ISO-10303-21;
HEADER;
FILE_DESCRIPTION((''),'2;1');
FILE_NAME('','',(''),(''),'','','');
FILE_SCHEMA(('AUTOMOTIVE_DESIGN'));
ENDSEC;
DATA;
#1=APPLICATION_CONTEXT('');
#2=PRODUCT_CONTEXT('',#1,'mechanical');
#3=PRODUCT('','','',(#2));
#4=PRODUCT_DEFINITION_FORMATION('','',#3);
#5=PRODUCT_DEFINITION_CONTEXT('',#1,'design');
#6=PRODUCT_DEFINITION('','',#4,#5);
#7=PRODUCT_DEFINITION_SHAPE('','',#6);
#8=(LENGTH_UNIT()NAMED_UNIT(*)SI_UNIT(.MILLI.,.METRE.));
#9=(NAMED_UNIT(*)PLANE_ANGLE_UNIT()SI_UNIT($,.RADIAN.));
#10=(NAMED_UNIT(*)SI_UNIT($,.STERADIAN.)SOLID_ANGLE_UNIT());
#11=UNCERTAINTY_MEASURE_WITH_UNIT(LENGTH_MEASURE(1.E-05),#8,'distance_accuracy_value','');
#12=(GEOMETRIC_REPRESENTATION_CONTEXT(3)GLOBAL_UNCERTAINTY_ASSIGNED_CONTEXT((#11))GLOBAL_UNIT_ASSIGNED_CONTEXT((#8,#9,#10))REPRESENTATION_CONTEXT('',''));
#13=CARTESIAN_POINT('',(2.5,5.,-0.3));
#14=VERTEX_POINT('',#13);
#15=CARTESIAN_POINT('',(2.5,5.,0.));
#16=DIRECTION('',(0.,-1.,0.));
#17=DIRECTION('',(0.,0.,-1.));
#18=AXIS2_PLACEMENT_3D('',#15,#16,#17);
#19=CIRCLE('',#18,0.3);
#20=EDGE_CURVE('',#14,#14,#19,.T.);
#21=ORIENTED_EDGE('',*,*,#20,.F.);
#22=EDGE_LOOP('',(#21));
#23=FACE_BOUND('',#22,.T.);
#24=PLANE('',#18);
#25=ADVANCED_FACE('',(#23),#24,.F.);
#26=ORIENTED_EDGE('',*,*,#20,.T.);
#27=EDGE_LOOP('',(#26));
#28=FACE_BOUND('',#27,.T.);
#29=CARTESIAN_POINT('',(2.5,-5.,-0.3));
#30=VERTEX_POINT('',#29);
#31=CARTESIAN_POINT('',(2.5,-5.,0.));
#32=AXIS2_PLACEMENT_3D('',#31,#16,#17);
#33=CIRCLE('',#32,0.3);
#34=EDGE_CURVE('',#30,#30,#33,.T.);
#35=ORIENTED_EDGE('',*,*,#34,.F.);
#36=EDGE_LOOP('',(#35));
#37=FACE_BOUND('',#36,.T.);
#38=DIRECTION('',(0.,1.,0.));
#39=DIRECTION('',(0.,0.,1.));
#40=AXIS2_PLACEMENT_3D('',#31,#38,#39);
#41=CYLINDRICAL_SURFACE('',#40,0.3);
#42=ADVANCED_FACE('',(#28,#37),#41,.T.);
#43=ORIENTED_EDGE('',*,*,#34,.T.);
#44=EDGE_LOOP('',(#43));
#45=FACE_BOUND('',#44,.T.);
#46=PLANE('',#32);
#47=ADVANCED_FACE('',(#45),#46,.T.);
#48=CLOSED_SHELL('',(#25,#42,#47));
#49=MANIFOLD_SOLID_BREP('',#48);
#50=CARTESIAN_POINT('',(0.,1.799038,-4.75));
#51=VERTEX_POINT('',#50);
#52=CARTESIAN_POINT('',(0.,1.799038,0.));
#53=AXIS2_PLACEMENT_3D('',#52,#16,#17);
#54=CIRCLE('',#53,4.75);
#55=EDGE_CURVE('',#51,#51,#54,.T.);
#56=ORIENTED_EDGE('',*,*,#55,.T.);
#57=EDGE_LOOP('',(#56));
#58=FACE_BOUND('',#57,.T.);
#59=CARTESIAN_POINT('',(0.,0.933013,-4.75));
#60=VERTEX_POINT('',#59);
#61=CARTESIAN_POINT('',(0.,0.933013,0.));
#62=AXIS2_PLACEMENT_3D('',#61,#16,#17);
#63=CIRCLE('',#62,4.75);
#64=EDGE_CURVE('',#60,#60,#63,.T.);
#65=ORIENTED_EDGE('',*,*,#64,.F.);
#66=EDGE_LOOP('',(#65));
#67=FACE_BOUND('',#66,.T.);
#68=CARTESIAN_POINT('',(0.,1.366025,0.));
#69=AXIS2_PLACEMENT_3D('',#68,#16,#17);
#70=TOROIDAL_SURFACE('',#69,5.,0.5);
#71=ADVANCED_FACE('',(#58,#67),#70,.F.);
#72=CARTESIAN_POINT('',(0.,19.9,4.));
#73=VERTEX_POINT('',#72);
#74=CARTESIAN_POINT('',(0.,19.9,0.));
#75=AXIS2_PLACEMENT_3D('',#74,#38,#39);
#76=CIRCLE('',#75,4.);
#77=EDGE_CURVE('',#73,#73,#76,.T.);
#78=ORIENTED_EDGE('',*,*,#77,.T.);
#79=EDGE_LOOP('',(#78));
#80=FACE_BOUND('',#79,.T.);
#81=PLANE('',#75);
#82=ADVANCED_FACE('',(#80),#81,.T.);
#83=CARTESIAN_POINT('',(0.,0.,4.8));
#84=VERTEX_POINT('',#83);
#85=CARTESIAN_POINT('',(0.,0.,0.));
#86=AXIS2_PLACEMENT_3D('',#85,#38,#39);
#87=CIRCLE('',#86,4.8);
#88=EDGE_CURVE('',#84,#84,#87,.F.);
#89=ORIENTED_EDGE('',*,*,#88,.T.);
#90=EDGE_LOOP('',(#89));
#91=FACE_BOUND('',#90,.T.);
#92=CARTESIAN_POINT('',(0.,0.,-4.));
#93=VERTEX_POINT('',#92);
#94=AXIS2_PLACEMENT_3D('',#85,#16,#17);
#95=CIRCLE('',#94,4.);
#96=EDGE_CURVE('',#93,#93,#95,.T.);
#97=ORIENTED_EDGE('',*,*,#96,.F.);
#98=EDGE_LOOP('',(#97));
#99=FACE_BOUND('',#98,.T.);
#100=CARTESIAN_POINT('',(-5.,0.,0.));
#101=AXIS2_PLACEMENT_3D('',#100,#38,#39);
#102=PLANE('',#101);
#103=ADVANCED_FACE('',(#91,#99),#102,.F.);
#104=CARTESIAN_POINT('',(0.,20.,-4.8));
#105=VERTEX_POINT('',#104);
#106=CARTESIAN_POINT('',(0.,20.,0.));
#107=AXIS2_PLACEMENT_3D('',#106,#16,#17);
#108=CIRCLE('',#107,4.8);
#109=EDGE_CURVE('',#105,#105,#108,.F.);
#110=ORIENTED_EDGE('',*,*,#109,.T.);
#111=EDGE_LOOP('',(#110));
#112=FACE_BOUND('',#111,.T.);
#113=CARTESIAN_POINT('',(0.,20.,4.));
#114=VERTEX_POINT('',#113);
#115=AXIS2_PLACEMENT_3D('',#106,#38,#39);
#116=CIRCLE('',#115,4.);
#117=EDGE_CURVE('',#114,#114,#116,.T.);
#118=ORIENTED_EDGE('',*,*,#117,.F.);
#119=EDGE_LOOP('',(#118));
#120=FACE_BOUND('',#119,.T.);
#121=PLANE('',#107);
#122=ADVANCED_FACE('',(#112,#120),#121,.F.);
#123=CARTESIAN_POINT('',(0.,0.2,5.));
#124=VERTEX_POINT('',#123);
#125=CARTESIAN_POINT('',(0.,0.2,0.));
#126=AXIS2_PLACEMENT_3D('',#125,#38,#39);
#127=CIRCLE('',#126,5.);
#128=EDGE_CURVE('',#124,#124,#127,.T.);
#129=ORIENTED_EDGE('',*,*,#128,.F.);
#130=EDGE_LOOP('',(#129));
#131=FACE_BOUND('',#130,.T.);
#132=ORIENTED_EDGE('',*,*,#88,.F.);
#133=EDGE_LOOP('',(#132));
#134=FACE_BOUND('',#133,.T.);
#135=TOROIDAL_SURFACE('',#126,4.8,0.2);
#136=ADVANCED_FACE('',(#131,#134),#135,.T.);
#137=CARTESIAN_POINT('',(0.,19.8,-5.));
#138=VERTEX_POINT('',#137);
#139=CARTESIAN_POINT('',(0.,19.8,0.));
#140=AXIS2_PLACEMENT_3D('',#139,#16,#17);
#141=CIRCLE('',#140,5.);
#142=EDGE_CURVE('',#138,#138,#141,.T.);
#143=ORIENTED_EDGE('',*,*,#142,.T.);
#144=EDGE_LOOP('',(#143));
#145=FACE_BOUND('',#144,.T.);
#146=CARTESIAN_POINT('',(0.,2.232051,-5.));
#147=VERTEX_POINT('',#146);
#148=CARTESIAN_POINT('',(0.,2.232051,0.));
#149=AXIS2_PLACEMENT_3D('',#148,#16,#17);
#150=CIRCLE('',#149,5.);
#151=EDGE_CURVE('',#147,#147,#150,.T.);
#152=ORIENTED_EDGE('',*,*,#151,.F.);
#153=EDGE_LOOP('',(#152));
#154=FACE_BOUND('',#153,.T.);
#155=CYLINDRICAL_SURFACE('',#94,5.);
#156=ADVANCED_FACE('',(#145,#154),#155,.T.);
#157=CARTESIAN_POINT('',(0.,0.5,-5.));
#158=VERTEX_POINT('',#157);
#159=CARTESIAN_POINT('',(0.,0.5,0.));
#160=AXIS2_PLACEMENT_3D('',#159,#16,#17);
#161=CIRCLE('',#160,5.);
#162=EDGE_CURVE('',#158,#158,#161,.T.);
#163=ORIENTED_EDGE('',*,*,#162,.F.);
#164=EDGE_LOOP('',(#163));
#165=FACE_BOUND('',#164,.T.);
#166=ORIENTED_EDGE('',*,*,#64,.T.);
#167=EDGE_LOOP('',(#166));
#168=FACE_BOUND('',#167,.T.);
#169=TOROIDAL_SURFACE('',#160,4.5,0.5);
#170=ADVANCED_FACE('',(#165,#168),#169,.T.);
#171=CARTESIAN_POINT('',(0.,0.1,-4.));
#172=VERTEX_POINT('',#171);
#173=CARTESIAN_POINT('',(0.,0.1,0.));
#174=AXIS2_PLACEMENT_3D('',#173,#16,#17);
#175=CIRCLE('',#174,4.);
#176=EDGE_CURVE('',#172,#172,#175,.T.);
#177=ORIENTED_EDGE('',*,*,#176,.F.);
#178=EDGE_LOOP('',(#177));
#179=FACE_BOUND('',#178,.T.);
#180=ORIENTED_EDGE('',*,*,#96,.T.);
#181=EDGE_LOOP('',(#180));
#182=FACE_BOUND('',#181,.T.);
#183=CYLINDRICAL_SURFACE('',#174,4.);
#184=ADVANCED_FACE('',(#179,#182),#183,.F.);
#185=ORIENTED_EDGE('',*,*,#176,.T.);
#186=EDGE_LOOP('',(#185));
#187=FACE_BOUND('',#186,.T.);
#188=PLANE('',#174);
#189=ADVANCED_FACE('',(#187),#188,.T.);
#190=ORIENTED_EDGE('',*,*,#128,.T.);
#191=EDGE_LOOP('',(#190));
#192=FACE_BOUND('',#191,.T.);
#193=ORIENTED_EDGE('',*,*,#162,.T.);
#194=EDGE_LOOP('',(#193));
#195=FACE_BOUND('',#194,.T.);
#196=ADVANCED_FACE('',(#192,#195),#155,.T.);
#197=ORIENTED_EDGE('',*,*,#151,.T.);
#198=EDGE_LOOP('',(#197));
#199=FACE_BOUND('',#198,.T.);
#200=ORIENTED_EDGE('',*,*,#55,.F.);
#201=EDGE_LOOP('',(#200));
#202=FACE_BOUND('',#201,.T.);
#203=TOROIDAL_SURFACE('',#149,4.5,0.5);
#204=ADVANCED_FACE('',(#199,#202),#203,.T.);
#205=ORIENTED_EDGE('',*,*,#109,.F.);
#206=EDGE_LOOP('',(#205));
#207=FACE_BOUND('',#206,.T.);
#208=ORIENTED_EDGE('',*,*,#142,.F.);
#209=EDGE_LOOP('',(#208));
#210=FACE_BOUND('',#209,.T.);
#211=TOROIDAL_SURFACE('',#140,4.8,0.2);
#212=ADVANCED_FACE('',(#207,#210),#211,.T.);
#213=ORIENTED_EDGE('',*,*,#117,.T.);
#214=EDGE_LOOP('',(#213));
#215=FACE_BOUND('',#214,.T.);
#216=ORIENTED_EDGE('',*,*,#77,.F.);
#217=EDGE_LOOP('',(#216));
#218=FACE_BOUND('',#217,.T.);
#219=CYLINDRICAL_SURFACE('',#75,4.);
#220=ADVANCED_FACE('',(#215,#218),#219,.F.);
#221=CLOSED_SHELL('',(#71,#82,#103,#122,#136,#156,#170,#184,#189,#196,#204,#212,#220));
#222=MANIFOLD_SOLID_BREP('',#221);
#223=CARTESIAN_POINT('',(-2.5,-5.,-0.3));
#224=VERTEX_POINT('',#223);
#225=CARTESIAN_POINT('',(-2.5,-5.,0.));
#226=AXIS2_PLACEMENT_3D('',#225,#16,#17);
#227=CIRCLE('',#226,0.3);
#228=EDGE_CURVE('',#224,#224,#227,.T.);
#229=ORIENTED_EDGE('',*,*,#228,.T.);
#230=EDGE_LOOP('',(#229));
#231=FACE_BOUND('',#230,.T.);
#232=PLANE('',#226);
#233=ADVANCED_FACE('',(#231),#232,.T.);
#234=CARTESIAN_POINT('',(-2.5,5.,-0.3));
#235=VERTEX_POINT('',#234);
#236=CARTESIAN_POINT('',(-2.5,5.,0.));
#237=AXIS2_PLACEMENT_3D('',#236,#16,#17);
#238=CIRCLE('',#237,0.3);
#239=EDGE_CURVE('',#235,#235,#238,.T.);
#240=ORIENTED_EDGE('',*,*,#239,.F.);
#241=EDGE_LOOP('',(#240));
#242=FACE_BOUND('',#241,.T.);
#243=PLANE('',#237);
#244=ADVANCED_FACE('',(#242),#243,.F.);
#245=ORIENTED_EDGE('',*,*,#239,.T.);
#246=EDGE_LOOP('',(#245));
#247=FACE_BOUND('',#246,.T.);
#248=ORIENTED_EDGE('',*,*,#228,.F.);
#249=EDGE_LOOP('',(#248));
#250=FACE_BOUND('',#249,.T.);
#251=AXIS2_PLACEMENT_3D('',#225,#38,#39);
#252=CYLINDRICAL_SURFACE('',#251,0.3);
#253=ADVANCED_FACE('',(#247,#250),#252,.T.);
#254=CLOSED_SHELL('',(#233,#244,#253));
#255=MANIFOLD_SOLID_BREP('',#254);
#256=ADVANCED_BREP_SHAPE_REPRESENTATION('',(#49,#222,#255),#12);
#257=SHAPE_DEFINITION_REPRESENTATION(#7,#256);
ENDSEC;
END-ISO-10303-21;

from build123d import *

# Parameters (mm, degrees)
FILLET2_R             = 0.2
SKETCH3_R             = 4
CUT_EXTRUDE1_DEPTH    = 0.1
SKETCH4_R             = 4
CUT_EXTRUDE2_DEPTH    = 0.1
SKETCH2_R             = 0.3
BOSS_EXTRUDE1_DEPTH   = 5
BOSS_EXTRUDE1_2_DEPTH = 5


with BuildPart() as part:
    # Sketch1 → Revolve1 (revolve)
    with BuildSketch(Plane.XY):
        with BuildLine():
            Line((0, 0), (0, 20))
            Line((0, 20), (-5, 20))
            Line((-5, 20), (-5, 2.232050808))
            ThreePointArc((-5, 2.232050808), (-4.933012702, 1.982050808), (-4.75, 1.799038106))
            ThreePointArc((-4.75, 1.799038106), (-4.5, 1.366025404), (-4.75, 0.933012702))
            ThreePointArc((-4.75, 0.933012702), (-4.933012702, 0.75), (-5, 0.5))
            Line((-5, 0.5), (-5, 0))
            Line((-5, 0), (0, 0))
        make_face()
    revolve(axis=Axis((0, 0, 0), (0, 1, 0)))

    # Fillet2
    fillet2_edges = [part.edges().sort_by_distance(p)[0] for p in [
        (5, 0, 0),
        (5, 20, 0),
    ]]
    fillet(fillet2_edges, radius=FILLET2_R)

    # Sketch3 → Cut-Extrude1 (cut)
    with BuildSketch(Plane(origin=(0, 20, 0), x_dir=(1, 0, 0), z_dir=(0, 1, 0))):
        Circle(SKETCH3_R)
    extrude(amount=-CUT_EXTRUDE1_DEPTH, mode=Mode.SUBTRACT)

    # Sketch4 → Cut-Extrude2 (cut)
    with BuildSketch(Plane.XZ):
        Circle(SKETCH4_R)
    extrude(amount=-CUT_EXTRUDE2_DEPTH, mode=Mode.SUBTRACT)


with BuildPart() as body_2:
    # Sketch2 → Boss-Extrude1 (new body, symmetric)
    with BuildSketch(Plane.XZ):
        with Locations((-2.5, 0)):
            Circle(SKETCH2_R)
    extrude(amount=BOSS_EXTRUDE1_DEPTH, both=True)


with BuildPart() as body_3:
    # Sketch2 → Boss-Extrude1 2 (new body, symmetric)
    with BuildSketch(Plane.XZ):
        with Locations((2.5, 0)):
            Circle(SKETCH2_R)
    extrude(amount=BOSS_EXTRUDE1_2_DEPTH, both=True)


solid = Compound([part.part, body_2.part, body_3.part])
